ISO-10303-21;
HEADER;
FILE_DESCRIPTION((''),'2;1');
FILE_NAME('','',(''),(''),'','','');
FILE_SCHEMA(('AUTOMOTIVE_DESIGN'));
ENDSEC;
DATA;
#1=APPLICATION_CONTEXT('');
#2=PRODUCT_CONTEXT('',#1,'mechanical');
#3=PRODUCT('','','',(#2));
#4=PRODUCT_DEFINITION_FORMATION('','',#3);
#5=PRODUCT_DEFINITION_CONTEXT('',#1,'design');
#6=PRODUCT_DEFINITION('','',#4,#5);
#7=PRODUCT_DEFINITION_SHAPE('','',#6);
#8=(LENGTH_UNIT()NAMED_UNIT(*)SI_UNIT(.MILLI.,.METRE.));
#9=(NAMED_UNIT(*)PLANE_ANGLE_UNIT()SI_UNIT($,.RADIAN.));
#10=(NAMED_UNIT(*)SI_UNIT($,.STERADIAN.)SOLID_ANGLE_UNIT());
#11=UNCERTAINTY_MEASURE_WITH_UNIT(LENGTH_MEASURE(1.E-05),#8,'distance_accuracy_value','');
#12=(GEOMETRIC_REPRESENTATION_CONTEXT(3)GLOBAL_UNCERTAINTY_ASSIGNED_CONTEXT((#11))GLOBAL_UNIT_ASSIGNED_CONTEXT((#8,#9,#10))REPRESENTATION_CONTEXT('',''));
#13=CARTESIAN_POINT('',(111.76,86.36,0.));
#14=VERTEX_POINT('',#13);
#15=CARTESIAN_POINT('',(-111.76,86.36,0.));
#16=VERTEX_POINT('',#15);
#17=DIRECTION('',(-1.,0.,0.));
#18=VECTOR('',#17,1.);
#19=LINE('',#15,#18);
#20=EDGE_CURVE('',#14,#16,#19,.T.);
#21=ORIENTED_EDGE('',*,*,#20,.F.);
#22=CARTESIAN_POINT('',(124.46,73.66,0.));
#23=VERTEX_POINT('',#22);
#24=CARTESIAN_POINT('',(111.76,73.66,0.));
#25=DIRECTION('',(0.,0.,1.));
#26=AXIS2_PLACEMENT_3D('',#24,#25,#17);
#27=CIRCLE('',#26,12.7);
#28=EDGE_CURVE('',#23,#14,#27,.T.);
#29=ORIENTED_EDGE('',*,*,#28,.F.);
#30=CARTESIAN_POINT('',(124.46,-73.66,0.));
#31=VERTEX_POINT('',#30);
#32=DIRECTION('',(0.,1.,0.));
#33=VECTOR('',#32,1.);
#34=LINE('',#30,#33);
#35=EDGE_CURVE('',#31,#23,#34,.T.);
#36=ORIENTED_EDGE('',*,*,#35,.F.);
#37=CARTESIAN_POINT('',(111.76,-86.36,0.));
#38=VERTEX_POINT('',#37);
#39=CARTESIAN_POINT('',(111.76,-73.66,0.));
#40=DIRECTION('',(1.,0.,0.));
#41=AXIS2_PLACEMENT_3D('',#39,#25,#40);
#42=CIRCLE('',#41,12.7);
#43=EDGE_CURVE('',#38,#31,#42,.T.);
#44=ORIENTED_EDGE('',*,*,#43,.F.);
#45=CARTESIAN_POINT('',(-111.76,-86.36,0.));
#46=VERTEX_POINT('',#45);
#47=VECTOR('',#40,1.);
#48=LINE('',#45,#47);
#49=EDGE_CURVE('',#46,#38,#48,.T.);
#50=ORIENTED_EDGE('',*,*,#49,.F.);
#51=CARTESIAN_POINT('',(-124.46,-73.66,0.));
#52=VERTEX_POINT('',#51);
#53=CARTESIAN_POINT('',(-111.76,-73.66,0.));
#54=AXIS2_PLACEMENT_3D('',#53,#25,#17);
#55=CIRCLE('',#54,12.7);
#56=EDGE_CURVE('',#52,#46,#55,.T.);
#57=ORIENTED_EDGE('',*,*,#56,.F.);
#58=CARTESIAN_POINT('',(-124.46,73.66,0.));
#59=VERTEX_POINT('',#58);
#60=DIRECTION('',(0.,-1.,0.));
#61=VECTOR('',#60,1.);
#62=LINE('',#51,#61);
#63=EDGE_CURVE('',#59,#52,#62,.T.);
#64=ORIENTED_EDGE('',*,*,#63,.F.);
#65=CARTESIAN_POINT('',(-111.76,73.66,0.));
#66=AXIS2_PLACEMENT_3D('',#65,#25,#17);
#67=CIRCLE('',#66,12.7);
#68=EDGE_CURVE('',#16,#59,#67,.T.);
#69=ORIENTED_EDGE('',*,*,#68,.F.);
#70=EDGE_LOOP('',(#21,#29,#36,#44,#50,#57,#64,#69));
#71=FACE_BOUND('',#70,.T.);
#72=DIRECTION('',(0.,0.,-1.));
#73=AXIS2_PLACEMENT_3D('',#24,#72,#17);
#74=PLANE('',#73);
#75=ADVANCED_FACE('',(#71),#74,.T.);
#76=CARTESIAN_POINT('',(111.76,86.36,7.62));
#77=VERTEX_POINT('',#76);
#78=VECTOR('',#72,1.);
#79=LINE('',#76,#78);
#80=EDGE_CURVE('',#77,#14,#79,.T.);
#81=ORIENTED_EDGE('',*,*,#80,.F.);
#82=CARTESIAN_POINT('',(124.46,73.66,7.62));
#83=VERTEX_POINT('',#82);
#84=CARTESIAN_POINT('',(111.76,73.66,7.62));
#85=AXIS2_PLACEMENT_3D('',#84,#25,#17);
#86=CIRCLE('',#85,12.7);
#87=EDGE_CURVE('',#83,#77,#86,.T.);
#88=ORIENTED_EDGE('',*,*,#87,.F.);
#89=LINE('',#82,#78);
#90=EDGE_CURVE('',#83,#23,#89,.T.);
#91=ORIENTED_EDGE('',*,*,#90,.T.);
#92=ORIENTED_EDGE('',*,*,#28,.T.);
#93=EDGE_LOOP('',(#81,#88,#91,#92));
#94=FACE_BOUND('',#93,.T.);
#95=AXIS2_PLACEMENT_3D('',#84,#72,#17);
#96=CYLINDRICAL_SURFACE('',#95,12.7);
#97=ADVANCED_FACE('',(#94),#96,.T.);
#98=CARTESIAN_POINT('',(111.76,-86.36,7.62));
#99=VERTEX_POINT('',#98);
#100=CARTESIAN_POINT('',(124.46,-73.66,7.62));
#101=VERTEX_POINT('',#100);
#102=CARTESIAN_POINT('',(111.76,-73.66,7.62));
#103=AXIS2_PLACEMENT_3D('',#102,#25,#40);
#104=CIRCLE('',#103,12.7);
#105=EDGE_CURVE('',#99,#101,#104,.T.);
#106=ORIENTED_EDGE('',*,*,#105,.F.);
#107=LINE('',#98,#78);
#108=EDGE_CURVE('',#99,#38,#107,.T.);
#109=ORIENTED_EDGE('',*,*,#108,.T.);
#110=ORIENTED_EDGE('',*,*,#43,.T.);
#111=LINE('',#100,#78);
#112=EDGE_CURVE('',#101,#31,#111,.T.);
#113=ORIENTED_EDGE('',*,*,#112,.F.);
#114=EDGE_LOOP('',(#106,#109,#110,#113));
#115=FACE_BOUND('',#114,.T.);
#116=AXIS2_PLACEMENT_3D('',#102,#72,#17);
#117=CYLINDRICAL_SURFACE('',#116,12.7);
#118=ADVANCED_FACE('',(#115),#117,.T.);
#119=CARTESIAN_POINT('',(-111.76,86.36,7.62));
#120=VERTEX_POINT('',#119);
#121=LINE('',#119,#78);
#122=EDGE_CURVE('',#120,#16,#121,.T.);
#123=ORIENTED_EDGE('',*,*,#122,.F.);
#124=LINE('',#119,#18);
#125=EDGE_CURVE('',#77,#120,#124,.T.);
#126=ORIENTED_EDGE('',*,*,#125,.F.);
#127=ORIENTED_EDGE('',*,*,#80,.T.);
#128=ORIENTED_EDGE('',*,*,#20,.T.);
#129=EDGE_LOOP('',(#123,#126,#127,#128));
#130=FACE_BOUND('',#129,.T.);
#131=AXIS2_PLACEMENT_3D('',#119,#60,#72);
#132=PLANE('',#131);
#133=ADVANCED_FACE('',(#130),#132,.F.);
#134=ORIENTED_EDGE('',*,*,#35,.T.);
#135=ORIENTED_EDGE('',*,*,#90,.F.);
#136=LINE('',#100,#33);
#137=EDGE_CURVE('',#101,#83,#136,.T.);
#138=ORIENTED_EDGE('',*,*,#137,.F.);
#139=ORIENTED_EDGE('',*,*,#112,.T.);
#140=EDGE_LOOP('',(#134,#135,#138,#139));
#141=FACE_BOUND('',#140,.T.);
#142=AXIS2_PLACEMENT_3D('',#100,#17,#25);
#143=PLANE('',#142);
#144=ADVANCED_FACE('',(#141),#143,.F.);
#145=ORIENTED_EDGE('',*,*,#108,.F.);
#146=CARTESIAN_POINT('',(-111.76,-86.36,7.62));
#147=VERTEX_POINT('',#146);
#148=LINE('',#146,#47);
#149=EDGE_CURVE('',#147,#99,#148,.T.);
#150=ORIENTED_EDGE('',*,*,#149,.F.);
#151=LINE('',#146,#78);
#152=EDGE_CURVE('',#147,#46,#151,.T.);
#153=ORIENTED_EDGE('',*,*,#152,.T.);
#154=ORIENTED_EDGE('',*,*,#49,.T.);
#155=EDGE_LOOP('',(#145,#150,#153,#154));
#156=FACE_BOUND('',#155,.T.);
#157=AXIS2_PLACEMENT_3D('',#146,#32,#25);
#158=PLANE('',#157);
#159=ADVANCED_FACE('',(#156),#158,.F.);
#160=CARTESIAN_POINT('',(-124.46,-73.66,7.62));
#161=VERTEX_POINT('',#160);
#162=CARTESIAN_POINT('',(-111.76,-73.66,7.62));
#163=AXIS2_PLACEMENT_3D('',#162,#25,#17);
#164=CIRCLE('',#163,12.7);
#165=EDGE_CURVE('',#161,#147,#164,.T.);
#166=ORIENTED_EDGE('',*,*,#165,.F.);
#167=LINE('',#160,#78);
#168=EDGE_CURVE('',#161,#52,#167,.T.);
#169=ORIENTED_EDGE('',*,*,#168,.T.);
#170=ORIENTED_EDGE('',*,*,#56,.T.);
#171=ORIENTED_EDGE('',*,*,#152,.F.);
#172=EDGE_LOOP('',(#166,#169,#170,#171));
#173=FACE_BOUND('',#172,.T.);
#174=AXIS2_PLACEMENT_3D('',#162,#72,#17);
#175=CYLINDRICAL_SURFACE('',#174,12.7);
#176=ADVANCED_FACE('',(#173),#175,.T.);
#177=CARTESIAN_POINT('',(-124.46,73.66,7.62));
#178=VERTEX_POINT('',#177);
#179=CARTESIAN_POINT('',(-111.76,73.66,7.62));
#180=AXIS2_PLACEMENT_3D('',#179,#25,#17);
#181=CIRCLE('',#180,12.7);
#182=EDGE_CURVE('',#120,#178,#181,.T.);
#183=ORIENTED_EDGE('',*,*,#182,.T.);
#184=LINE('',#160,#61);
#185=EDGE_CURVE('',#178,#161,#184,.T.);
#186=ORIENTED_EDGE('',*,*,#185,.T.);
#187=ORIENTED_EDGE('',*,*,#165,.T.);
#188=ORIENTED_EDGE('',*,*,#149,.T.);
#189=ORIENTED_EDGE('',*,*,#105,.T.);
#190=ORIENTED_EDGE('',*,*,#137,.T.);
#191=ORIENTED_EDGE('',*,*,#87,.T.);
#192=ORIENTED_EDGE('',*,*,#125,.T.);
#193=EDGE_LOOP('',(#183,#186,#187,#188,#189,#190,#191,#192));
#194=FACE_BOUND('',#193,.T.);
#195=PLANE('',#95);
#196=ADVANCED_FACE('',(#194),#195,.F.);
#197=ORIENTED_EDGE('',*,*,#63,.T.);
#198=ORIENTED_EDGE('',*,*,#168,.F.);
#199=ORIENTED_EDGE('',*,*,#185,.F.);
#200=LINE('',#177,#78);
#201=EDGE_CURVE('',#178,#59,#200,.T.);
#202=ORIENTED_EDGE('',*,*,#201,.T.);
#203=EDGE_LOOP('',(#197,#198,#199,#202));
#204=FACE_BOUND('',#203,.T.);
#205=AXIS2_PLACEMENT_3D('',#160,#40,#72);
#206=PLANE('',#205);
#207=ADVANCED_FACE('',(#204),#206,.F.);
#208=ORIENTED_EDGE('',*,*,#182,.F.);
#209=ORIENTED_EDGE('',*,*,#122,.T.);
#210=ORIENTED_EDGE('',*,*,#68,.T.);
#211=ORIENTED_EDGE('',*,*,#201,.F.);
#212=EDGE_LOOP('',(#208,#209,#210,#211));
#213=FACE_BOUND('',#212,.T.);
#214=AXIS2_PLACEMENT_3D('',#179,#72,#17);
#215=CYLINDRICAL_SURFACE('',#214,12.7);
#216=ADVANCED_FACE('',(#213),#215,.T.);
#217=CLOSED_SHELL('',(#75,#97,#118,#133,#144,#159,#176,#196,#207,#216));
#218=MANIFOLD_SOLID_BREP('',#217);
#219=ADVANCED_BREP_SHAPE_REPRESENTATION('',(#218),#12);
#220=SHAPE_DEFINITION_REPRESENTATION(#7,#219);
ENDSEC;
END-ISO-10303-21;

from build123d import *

# Parameters (mm, degrees)
BOSS_EXTRUDE1_DEPTH = 7.62


with BuildPart() as part:
    # Sketch1 → Boss-Extrude1 (new body)
    with BuildSketch(Plane.XY):
        with BuildLine():
            Line((-111.76, -86.36), (111.76, -86.36))
            ThreePointArc((111.76, -86.36), (120.740256121, -82.640256121), (124.46, -73.66))
            Line((124.46, -73.66), (124.46, 73.66))
            ThreePointArc((124.46, 73.66), (120.740256121, 82.640256121), (111.76, 86.36))
            Line((111.76, 86.36), (-111.76, 86.36))
            ThreePointArc((-111.76, 86.36), (-120.740256121, 82.640256121), (-124.46, 73.66))
            Line((-124.46, 73.66), (-124.46, -73.66))
            ThreePointArc((-124.46, -73.66), (-120.740256121, -82.640256121), (-111.76, -86.36))
        make_face()
    extrude(amount=BOSS_EXTRUDE1_DEPTH)


solid = part.part
